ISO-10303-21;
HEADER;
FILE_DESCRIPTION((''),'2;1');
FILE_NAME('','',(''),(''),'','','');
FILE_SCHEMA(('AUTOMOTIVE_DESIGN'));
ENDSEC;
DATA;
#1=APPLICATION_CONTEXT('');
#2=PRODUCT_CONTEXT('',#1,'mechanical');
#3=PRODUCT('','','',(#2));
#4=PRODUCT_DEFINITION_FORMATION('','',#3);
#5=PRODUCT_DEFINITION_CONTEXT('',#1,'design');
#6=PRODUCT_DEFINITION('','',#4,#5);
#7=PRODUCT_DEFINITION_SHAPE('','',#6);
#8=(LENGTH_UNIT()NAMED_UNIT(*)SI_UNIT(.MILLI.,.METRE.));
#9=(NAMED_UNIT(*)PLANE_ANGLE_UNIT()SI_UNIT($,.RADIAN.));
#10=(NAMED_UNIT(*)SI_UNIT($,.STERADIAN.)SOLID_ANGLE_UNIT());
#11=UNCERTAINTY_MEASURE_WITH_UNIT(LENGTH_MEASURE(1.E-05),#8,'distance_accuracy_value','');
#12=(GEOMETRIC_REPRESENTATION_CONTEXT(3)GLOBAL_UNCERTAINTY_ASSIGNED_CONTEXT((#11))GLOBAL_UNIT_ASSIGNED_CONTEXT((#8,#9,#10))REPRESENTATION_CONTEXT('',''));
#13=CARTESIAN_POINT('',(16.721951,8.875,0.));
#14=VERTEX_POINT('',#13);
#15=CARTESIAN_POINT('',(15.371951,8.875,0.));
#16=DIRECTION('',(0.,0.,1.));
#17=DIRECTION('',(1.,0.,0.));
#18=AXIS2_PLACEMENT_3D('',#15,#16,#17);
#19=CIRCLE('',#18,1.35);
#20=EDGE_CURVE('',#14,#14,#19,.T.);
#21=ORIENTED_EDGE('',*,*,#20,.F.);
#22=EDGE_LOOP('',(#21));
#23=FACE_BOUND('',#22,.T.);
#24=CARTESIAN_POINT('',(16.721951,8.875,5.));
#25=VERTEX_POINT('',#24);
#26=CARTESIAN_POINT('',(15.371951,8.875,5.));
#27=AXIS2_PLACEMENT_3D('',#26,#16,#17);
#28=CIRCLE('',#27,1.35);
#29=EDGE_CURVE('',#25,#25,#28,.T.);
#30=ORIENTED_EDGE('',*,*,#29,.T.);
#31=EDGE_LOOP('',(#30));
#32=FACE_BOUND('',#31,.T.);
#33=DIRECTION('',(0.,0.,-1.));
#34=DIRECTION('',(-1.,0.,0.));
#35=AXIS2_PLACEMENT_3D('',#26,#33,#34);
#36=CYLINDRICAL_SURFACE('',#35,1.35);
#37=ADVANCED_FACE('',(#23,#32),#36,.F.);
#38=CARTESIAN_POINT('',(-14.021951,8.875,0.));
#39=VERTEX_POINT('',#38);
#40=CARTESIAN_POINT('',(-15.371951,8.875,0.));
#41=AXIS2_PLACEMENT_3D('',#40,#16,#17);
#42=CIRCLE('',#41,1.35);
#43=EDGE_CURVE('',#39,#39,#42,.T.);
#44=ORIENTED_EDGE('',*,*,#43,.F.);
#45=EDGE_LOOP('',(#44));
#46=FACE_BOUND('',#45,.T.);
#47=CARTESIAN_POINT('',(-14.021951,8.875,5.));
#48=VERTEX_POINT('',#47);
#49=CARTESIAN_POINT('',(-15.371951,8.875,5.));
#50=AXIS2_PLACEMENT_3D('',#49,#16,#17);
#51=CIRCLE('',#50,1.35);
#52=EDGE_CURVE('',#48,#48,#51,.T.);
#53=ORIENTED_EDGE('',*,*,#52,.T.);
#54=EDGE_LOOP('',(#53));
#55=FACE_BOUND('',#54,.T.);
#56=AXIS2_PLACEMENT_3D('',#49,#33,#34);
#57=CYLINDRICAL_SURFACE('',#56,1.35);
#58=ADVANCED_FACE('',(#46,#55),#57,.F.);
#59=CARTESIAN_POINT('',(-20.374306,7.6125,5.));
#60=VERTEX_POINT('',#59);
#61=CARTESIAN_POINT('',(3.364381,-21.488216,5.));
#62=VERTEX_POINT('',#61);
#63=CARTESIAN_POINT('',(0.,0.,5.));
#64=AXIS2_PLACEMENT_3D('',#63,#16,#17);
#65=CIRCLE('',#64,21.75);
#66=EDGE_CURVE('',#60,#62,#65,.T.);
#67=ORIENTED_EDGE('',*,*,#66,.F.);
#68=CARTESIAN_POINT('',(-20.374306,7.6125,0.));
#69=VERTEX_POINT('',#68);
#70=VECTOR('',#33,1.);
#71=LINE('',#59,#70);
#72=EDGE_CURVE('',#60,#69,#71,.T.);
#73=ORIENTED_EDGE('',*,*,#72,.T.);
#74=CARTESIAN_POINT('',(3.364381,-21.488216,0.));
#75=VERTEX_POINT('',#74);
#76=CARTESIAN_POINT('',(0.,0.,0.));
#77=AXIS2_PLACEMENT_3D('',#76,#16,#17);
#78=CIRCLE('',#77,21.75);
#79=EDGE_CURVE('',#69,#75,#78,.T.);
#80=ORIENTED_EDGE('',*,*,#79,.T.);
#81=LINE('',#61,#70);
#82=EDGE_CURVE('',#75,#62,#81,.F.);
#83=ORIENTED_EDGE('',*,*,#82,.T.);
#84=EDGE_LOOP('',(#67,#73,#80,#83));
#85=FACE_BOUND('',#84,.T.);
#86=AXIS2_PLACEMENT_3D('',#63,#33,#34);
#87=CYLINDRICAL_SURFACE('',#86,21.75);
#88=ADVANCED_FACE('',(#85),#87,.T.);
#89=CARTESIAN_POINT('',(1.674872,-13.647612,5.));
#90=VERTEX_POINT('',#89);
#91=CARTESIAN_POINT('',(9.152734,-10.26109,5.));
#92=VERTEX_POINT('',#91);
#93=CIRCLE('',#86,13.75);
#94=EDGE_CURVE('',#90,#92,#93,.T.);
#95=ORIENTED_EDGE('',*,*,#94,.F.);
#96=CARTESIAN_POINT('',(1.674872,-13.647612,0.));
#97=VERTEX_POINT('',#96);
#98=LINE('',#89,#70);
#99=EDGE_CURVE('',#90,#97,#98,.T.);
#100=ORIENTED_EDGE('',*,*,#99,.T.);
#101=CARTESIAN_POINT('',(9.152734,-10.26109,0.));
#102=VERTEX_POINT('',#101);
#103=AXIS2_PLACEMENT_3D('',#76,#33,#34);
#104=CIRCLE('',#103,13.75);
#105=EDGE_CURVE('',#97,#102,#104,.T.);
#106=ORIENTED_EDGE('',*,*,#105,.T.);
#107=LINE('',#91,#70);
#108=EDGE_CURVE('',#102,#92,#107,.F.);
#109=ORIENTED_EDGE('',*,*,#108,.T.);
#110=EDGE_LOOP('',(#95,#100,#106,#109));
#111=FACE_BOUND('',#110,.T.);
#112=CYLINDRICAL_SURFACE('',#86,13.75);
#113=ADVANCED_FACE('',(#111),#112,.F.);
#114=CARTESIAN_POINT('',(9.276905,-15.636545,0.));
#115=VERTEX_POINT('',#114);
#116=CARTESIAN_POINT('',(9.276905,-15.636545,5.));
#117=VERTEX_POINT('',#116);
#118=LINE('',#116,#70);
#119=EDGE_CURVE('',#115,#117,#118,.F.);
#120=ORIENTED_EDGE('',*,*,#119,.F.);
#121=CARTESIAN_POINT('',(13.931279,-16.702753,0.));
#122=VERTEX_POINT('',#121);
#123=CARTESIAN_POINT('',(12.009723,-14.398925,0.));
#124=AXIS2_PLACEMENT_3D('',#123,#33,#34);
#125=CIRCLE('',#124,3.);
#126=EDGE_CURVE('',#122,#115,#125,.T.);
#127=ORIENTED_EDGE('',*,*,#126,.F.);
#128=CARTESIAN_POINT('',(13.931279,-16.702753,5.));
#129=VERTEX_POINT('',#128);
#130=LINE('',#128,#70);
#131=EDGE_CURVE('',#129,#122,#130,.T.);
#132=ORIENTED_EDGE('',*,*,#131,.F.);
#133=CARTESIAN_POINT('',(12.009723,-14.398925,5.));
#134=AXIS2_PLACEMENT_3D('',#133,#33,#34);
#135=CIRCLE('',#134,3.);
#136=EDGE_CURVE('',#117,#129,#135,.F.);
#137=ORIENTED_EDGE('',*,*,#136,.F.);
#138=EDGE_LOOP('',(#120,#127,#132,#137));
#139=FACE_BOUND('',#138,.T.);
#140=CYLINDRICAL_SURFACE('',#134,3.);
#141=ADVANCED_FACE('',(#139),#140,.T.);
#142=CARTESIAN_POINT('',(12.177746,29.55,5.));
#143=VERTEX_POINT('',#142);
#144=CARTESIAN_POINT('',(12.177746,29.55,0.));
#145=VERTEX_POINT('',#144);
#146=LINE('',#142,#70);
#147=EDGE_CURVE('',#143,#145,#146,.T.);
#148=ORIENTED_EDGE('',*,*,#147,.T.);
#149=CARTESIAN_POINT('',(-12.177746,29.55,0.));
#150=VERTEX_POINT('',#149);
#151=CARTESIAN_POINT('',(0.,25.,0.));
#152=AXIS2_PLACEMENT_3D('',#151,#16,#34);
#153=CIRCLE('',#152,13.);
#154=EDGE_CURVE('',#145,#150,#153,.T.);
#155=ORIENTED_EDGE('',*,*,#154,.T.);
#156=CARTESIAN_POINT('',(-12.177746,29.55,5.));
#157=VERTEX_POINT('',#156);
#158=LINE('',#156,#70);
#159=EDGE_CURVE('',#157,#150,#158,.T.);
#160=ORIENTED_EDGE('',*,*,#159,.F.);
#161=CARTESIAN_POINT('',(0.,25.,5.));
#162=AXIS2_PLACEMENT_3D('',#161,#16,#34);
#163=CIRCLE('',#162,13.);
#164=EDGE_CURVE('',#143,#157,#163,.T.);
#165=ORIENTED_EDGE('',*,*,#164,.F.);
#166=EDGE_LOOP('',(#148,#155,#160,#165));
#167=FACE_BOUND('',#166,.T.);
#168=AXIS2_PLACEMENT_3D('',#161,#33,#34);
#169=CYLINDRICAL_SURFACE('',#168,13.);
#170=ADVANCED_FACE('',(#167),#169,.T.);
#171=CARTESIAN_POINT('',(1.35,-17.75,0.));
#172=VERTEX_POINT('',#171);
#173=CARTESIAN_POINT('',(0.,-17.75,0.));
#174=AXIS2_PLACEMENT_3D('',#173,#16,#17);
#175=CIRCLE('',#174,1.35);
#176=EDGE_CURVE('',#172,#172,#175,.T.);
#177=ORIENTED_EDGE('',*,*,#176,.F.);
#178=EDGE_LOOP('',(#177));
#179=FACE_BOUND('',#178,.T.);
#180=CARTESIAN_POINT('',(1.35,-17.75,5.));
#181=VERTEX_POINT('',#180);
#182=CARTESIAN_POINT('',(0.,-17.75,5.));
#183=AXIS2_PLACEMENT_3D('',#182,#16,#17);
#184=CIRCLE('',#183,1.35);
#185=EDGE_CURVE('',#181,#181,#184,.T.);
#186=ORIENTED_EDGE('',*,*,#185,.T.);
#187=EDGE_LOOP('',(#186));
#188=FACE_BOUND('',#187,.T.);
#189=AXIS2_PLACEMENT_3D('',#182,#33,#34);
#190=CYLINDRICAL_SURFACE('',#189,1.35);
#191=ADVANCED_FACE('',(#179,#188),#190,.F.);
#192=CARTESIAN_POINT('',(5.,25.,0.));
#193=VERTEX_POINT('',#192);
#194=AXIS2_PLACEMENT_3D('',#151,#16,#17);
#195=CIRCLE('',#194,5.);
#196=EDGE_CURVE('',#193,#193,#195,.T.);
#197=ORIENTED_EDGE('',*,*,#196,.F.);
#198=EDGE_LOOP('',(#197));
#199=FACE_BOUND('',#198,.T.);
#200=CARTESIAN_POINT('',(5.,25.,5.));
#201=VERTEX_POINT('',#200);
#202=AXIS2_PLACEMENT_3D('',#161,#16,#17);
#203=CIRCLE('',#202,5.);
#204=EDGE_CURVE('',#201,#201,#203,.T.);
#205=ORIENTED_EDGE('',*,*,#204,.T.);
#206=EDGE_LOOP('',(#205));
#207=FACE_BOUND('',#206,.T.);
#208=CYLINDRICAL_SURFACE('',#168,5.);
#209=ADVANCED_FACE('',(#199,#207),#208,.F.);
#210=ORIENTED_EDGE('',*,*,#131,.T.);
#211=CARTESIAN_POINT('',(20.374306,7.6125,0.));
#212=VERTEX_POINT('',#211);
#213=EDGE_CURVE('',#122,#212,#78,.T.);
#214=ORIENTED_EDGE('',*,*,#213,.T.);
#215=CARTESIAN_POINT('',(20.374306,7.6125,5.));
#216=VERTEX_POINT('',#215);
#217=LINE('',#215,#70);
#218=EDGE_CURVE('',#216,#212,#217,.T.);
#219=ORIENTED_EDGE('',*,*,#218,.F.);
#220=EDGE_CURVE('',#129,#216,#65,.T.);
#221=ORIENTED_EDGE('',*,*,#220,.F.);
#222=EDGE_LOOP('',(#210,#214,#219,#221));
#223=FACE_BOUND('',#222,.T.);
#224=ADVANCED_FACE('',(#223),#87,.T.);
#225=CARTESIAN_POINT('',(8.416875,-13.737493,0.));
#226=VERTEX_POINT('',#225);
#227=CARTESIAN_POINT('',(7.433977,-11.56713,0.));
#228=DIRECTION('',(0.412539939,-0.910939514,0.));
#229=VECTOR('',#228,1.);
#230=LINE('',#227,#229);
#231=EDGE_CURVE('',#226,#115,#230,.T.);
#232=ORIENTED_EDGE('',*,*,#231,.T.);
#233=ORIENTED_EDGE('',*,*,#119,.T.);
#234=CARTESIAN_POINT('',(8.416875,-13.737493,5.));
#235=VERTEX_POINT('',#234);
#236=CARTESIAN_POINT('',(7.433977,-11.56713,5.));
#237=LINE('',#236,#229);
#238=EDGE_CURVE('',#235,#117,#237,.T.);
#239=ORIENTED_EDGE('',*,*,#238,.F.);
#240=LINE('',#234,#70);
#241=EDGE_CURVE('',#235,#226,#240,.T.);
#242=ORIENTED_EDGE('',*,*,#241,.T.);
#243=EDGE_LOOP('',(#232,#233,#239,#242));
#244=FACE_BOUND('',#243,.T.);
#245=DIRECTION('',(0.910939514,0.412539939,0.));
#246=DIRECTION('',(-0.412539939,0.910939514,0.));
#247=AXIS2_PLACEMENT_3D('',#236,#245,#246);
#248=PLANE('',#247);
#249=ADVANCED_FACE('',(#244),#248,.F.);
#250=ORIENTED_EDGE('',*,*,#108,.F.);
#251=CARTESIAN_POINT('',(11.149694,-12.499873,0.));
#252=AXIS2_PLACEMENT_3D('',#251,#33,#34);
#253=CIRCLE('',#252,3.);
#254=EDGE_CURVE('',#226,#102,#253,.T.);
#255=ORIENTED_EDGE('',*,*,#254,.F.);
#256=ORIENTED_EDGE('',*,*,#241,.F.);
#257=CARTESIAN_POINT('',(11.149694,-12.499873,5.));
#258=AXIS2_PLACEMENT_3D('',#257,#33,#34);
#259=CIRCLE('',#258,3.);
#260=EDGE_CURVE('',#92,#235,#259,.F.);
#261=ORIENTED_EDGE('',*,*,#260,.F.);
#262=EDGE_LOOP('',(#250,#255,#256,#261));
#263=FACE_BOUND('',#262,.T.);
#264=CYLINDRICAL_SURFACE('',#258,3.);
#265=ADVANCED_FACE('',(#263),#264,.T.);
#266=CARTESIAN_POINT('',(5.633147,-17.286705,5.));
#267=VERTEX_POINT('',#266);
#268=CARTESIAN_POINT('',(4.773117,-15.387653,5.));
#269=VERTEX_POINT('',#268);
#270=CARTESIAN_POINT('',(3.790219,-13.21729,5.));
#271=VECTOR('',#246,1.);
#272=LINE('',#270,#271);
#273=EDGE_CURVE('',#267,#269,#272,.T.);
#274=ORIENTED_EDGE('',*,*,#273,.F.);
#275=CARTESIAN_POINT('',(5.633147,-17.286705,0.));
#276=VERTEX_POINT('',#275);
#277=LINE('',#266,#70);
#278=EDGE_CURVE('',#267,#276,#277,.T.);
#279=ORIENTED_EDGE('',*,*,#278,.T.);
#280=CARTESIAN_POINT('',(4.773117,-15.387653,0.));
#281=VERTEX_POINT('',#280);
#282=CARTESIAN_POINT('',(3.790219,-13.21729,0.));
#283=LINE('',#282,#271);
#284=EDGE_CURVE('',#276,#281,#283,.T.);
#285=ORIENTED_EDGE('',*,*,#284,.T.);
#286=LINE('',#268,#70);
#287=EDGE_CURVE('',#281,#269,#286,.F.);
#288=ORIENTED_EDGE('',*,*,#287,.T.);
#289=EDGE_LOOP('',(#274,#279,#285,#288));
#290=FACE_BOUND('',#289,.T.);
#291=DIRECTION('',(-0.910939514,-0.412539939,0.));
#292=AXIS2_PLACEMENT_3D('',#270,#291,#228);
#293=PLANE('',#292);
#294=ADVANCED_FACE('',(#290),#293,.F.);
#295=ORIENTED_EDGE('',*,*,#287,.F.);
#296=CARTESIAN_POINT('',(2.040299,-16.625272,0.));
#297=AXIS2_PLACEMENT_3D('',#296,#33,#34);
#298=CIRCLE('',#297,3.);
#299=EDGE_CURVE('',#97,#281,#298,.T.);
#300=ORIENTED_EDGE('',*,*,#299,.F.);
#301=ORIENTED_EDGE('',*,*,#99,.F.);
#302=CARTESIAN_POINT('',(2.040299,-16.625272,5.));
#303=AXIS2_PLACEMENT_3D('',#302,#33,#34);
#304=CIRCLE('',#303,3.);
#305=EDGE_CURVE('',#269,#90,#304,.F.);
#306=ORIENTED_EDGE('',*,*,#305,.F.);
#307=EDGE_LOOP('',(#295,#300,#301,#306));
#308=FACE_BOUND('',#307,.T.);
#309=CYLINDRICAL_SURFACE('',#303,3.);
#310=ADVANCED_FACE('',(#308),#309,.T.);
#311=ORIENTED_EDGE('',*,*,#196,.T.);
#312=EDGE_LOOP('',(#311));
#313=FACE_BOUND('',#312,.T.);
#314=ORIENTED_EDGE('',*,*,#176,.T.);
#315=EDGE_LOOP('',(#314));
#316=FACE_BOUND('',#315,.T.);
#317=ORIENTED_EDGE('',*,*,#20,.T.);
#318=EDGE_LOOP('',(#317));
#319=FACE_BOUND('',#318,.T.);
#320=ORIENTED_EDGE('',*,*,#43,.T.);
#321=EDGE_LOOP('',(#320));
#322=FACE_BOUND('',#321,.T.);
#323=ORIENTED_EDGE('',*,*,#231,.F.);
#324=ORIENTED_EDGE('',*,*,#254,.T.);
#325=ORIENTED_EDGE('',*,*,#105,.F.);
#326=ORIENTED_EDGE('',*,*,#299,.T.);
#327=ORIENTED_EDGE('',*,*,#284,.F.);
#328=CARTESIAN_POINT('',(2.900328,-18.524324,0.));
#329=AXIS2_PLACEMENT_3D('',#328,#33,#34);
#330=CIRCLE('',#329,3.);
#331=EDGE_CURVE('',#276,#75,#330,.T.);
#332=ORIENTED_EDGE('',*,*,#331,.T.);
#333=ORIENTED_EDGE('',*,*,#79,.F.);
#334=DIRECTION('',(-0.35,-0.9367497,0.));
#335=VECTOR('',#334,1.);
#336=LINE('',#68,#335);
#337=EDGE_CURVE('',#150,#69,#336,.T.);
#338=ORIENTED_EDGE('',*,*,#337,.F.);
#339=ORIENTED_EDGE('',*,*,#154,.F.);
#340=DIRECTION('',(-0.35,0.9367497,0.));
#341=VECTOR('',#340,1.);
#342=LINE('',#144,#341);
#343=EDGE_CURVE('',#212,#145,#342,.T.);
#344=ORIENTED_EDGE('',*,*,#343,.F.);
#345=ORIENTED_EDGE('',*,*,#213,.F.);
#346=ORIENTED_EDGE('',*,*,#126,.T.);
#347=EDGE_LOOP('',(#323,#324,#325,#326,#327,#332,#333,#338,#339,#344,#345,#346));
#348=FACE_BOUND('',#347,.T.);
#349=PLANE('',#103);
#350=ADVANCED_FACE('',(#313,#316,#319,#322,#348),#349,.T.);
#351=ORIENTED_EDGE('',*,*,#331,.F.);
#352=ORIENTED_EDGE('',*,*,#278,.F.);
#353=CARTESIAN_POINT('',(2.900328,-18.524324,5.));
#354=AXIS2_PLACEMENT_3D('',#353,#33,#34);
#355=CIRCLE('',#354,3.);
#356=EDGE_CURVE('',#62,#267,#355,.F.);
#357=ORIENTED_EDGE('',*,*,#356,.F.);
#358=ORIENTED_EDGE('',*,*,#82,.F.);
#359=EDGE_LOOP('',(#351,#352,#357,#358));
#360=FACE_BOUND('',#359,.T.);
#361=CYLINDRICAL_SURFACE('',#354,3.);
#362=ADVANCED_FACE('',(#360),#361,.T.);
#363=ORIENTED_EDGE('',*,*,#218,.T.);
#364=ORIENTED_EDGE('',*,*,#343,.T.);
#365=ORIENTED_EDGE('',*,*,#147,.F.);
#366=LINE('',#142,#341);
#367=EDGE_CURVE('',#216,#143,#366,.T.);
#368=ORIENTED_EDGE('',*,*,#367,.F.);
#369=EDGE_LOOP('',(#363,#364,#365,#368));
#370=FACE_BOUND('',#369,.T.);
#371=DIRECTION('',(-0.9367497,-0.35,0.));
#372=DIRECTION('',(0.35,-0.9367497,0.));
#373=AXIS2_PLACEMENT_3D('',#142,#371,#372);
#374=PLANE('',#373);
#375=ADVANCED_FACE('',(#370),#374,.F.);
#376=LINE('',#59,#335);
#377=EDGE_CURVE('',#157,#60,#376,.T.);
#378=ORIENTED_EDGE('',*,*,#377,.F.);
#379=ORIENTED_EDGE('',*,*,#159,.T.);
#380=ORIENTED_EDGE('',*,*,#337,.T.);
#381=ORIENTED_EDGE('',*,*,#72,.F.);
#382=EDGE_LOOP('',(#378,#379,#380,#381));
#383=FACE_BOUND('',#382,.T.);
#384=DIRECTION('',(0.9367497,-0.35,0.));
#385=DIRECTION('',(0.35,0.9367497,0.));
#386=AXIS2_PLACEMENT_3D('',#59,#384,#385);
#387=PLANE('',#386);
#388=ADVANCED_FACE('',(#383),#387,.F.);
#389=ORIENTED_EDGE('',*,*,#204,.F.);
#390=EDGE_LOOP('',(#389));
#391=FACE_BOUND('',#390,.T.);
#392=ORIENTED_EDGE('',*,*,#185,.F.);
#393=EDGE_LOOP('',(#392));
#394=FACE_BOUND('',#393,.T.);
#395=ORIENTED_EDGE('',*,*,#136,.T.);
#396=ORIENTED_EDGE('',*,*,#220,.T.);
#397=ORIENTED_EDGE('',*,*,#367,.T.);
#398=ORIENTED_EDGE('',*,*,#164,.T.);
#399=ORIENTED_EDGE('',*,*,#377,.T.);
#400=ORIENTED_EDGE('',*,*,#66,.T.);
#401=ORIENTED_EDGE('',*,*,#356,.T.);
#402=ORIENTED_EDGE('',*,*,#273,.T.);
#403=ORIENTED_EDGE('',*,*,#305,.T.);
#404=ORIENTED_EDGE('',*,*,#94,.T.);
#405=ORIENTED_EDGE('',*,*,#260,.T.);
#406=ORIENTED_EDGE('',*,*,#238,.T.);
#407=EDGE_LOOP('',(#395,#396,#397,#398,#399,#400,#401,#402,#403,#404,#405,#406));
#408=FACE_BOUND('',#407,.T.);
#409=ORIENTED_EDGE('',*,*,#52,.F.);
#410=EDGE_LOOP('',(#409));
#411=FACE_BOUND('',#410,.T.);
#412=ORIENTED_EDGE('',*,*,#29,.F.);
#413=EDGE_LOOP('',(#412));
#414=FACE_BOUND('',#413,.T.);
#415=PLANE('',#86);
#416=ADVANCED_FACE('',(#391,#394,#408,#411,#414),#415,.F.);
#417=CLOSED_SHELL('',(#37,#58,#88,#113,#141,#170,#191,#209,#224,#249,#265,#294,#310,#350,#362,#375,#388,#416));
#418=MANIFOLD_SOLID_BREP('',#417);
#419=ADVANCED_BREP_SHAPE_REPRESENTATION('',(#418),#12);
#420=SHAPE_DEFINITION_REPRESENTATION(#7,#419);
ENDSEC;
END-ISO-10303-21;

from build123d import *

# Parameters (mm, degrees)
SKETCH1_R           = 5
SKETCH1_R_2         = 1.35
BOSS_EXTRUDE1_DEPTH = 5
CONG_2_R            = 3


with BuildPart() as part:
    # Sketch1 → Boss-Extrude1 (new body)
    with BuildSketch(Plane.XY):
        with BuildLine():
            Line((7.433976594, -11.567129808), (10.756607468, -18.903912182))
            ThreePointArc((10.756607468, -18.903912182), (20.44660049, -7.416132981), (20.37430597, 7.6125))
            Line((20.37430597, 7.6125), (12.177746097, 29.55))
            ThreePointArc((12.177746097, 29.55), (0, 38), (-12.177746097, 29.55))
            Line((-12.177746097, 29.55), (-20.37430597, 7.6125))
            ThreePointArc((-20.37430597, 7.6125), (-15.56616527, -15.190687897), (7.112849411, -20.554071939))
            Line((7.112849411, -20.554071939), (3.790218537, -13.217289565))
            ThreePointArc((3.790218537, -13.217289565), (-5.672424163, 12.525418321), (7.433976594, -11.567129808))
        make_face()
        with Locations((0, 25)):
            Circle(SKETCH1_R, mode=Mode.SUBTRACT)
        with Locations((0, -17.75)):
            Circle(SKETCH1_R_2, mode=Mode.SUBTRACT)
        with Locations((15.371950917, 8.875)):
            Circle(SKETCH1_R_2, mode=Mode.SUBTRACT)
        with Locations((-15.371950917, 8.875)):
            Circle(SKETCH1_R_2, mode=Mode.SUBTRACT)
    extrude(amount=BOSS_EXTRUDE1_DEPTH)

    # Congé2
    cong_2_edges = [part.edges().sort_by_distance(p)[0] for p in [
        (3.790218537, -13.217289565, 2.5),
        (7.112849411, -20.554071939, 2.5),
        (10.756607468, -18.903912182, 2.5),
        (7.433976594, -11.567129808, 2.5),
    ]]
    fillet(cong_2_edges, radius=CONG_2_R)


solid = part.part
